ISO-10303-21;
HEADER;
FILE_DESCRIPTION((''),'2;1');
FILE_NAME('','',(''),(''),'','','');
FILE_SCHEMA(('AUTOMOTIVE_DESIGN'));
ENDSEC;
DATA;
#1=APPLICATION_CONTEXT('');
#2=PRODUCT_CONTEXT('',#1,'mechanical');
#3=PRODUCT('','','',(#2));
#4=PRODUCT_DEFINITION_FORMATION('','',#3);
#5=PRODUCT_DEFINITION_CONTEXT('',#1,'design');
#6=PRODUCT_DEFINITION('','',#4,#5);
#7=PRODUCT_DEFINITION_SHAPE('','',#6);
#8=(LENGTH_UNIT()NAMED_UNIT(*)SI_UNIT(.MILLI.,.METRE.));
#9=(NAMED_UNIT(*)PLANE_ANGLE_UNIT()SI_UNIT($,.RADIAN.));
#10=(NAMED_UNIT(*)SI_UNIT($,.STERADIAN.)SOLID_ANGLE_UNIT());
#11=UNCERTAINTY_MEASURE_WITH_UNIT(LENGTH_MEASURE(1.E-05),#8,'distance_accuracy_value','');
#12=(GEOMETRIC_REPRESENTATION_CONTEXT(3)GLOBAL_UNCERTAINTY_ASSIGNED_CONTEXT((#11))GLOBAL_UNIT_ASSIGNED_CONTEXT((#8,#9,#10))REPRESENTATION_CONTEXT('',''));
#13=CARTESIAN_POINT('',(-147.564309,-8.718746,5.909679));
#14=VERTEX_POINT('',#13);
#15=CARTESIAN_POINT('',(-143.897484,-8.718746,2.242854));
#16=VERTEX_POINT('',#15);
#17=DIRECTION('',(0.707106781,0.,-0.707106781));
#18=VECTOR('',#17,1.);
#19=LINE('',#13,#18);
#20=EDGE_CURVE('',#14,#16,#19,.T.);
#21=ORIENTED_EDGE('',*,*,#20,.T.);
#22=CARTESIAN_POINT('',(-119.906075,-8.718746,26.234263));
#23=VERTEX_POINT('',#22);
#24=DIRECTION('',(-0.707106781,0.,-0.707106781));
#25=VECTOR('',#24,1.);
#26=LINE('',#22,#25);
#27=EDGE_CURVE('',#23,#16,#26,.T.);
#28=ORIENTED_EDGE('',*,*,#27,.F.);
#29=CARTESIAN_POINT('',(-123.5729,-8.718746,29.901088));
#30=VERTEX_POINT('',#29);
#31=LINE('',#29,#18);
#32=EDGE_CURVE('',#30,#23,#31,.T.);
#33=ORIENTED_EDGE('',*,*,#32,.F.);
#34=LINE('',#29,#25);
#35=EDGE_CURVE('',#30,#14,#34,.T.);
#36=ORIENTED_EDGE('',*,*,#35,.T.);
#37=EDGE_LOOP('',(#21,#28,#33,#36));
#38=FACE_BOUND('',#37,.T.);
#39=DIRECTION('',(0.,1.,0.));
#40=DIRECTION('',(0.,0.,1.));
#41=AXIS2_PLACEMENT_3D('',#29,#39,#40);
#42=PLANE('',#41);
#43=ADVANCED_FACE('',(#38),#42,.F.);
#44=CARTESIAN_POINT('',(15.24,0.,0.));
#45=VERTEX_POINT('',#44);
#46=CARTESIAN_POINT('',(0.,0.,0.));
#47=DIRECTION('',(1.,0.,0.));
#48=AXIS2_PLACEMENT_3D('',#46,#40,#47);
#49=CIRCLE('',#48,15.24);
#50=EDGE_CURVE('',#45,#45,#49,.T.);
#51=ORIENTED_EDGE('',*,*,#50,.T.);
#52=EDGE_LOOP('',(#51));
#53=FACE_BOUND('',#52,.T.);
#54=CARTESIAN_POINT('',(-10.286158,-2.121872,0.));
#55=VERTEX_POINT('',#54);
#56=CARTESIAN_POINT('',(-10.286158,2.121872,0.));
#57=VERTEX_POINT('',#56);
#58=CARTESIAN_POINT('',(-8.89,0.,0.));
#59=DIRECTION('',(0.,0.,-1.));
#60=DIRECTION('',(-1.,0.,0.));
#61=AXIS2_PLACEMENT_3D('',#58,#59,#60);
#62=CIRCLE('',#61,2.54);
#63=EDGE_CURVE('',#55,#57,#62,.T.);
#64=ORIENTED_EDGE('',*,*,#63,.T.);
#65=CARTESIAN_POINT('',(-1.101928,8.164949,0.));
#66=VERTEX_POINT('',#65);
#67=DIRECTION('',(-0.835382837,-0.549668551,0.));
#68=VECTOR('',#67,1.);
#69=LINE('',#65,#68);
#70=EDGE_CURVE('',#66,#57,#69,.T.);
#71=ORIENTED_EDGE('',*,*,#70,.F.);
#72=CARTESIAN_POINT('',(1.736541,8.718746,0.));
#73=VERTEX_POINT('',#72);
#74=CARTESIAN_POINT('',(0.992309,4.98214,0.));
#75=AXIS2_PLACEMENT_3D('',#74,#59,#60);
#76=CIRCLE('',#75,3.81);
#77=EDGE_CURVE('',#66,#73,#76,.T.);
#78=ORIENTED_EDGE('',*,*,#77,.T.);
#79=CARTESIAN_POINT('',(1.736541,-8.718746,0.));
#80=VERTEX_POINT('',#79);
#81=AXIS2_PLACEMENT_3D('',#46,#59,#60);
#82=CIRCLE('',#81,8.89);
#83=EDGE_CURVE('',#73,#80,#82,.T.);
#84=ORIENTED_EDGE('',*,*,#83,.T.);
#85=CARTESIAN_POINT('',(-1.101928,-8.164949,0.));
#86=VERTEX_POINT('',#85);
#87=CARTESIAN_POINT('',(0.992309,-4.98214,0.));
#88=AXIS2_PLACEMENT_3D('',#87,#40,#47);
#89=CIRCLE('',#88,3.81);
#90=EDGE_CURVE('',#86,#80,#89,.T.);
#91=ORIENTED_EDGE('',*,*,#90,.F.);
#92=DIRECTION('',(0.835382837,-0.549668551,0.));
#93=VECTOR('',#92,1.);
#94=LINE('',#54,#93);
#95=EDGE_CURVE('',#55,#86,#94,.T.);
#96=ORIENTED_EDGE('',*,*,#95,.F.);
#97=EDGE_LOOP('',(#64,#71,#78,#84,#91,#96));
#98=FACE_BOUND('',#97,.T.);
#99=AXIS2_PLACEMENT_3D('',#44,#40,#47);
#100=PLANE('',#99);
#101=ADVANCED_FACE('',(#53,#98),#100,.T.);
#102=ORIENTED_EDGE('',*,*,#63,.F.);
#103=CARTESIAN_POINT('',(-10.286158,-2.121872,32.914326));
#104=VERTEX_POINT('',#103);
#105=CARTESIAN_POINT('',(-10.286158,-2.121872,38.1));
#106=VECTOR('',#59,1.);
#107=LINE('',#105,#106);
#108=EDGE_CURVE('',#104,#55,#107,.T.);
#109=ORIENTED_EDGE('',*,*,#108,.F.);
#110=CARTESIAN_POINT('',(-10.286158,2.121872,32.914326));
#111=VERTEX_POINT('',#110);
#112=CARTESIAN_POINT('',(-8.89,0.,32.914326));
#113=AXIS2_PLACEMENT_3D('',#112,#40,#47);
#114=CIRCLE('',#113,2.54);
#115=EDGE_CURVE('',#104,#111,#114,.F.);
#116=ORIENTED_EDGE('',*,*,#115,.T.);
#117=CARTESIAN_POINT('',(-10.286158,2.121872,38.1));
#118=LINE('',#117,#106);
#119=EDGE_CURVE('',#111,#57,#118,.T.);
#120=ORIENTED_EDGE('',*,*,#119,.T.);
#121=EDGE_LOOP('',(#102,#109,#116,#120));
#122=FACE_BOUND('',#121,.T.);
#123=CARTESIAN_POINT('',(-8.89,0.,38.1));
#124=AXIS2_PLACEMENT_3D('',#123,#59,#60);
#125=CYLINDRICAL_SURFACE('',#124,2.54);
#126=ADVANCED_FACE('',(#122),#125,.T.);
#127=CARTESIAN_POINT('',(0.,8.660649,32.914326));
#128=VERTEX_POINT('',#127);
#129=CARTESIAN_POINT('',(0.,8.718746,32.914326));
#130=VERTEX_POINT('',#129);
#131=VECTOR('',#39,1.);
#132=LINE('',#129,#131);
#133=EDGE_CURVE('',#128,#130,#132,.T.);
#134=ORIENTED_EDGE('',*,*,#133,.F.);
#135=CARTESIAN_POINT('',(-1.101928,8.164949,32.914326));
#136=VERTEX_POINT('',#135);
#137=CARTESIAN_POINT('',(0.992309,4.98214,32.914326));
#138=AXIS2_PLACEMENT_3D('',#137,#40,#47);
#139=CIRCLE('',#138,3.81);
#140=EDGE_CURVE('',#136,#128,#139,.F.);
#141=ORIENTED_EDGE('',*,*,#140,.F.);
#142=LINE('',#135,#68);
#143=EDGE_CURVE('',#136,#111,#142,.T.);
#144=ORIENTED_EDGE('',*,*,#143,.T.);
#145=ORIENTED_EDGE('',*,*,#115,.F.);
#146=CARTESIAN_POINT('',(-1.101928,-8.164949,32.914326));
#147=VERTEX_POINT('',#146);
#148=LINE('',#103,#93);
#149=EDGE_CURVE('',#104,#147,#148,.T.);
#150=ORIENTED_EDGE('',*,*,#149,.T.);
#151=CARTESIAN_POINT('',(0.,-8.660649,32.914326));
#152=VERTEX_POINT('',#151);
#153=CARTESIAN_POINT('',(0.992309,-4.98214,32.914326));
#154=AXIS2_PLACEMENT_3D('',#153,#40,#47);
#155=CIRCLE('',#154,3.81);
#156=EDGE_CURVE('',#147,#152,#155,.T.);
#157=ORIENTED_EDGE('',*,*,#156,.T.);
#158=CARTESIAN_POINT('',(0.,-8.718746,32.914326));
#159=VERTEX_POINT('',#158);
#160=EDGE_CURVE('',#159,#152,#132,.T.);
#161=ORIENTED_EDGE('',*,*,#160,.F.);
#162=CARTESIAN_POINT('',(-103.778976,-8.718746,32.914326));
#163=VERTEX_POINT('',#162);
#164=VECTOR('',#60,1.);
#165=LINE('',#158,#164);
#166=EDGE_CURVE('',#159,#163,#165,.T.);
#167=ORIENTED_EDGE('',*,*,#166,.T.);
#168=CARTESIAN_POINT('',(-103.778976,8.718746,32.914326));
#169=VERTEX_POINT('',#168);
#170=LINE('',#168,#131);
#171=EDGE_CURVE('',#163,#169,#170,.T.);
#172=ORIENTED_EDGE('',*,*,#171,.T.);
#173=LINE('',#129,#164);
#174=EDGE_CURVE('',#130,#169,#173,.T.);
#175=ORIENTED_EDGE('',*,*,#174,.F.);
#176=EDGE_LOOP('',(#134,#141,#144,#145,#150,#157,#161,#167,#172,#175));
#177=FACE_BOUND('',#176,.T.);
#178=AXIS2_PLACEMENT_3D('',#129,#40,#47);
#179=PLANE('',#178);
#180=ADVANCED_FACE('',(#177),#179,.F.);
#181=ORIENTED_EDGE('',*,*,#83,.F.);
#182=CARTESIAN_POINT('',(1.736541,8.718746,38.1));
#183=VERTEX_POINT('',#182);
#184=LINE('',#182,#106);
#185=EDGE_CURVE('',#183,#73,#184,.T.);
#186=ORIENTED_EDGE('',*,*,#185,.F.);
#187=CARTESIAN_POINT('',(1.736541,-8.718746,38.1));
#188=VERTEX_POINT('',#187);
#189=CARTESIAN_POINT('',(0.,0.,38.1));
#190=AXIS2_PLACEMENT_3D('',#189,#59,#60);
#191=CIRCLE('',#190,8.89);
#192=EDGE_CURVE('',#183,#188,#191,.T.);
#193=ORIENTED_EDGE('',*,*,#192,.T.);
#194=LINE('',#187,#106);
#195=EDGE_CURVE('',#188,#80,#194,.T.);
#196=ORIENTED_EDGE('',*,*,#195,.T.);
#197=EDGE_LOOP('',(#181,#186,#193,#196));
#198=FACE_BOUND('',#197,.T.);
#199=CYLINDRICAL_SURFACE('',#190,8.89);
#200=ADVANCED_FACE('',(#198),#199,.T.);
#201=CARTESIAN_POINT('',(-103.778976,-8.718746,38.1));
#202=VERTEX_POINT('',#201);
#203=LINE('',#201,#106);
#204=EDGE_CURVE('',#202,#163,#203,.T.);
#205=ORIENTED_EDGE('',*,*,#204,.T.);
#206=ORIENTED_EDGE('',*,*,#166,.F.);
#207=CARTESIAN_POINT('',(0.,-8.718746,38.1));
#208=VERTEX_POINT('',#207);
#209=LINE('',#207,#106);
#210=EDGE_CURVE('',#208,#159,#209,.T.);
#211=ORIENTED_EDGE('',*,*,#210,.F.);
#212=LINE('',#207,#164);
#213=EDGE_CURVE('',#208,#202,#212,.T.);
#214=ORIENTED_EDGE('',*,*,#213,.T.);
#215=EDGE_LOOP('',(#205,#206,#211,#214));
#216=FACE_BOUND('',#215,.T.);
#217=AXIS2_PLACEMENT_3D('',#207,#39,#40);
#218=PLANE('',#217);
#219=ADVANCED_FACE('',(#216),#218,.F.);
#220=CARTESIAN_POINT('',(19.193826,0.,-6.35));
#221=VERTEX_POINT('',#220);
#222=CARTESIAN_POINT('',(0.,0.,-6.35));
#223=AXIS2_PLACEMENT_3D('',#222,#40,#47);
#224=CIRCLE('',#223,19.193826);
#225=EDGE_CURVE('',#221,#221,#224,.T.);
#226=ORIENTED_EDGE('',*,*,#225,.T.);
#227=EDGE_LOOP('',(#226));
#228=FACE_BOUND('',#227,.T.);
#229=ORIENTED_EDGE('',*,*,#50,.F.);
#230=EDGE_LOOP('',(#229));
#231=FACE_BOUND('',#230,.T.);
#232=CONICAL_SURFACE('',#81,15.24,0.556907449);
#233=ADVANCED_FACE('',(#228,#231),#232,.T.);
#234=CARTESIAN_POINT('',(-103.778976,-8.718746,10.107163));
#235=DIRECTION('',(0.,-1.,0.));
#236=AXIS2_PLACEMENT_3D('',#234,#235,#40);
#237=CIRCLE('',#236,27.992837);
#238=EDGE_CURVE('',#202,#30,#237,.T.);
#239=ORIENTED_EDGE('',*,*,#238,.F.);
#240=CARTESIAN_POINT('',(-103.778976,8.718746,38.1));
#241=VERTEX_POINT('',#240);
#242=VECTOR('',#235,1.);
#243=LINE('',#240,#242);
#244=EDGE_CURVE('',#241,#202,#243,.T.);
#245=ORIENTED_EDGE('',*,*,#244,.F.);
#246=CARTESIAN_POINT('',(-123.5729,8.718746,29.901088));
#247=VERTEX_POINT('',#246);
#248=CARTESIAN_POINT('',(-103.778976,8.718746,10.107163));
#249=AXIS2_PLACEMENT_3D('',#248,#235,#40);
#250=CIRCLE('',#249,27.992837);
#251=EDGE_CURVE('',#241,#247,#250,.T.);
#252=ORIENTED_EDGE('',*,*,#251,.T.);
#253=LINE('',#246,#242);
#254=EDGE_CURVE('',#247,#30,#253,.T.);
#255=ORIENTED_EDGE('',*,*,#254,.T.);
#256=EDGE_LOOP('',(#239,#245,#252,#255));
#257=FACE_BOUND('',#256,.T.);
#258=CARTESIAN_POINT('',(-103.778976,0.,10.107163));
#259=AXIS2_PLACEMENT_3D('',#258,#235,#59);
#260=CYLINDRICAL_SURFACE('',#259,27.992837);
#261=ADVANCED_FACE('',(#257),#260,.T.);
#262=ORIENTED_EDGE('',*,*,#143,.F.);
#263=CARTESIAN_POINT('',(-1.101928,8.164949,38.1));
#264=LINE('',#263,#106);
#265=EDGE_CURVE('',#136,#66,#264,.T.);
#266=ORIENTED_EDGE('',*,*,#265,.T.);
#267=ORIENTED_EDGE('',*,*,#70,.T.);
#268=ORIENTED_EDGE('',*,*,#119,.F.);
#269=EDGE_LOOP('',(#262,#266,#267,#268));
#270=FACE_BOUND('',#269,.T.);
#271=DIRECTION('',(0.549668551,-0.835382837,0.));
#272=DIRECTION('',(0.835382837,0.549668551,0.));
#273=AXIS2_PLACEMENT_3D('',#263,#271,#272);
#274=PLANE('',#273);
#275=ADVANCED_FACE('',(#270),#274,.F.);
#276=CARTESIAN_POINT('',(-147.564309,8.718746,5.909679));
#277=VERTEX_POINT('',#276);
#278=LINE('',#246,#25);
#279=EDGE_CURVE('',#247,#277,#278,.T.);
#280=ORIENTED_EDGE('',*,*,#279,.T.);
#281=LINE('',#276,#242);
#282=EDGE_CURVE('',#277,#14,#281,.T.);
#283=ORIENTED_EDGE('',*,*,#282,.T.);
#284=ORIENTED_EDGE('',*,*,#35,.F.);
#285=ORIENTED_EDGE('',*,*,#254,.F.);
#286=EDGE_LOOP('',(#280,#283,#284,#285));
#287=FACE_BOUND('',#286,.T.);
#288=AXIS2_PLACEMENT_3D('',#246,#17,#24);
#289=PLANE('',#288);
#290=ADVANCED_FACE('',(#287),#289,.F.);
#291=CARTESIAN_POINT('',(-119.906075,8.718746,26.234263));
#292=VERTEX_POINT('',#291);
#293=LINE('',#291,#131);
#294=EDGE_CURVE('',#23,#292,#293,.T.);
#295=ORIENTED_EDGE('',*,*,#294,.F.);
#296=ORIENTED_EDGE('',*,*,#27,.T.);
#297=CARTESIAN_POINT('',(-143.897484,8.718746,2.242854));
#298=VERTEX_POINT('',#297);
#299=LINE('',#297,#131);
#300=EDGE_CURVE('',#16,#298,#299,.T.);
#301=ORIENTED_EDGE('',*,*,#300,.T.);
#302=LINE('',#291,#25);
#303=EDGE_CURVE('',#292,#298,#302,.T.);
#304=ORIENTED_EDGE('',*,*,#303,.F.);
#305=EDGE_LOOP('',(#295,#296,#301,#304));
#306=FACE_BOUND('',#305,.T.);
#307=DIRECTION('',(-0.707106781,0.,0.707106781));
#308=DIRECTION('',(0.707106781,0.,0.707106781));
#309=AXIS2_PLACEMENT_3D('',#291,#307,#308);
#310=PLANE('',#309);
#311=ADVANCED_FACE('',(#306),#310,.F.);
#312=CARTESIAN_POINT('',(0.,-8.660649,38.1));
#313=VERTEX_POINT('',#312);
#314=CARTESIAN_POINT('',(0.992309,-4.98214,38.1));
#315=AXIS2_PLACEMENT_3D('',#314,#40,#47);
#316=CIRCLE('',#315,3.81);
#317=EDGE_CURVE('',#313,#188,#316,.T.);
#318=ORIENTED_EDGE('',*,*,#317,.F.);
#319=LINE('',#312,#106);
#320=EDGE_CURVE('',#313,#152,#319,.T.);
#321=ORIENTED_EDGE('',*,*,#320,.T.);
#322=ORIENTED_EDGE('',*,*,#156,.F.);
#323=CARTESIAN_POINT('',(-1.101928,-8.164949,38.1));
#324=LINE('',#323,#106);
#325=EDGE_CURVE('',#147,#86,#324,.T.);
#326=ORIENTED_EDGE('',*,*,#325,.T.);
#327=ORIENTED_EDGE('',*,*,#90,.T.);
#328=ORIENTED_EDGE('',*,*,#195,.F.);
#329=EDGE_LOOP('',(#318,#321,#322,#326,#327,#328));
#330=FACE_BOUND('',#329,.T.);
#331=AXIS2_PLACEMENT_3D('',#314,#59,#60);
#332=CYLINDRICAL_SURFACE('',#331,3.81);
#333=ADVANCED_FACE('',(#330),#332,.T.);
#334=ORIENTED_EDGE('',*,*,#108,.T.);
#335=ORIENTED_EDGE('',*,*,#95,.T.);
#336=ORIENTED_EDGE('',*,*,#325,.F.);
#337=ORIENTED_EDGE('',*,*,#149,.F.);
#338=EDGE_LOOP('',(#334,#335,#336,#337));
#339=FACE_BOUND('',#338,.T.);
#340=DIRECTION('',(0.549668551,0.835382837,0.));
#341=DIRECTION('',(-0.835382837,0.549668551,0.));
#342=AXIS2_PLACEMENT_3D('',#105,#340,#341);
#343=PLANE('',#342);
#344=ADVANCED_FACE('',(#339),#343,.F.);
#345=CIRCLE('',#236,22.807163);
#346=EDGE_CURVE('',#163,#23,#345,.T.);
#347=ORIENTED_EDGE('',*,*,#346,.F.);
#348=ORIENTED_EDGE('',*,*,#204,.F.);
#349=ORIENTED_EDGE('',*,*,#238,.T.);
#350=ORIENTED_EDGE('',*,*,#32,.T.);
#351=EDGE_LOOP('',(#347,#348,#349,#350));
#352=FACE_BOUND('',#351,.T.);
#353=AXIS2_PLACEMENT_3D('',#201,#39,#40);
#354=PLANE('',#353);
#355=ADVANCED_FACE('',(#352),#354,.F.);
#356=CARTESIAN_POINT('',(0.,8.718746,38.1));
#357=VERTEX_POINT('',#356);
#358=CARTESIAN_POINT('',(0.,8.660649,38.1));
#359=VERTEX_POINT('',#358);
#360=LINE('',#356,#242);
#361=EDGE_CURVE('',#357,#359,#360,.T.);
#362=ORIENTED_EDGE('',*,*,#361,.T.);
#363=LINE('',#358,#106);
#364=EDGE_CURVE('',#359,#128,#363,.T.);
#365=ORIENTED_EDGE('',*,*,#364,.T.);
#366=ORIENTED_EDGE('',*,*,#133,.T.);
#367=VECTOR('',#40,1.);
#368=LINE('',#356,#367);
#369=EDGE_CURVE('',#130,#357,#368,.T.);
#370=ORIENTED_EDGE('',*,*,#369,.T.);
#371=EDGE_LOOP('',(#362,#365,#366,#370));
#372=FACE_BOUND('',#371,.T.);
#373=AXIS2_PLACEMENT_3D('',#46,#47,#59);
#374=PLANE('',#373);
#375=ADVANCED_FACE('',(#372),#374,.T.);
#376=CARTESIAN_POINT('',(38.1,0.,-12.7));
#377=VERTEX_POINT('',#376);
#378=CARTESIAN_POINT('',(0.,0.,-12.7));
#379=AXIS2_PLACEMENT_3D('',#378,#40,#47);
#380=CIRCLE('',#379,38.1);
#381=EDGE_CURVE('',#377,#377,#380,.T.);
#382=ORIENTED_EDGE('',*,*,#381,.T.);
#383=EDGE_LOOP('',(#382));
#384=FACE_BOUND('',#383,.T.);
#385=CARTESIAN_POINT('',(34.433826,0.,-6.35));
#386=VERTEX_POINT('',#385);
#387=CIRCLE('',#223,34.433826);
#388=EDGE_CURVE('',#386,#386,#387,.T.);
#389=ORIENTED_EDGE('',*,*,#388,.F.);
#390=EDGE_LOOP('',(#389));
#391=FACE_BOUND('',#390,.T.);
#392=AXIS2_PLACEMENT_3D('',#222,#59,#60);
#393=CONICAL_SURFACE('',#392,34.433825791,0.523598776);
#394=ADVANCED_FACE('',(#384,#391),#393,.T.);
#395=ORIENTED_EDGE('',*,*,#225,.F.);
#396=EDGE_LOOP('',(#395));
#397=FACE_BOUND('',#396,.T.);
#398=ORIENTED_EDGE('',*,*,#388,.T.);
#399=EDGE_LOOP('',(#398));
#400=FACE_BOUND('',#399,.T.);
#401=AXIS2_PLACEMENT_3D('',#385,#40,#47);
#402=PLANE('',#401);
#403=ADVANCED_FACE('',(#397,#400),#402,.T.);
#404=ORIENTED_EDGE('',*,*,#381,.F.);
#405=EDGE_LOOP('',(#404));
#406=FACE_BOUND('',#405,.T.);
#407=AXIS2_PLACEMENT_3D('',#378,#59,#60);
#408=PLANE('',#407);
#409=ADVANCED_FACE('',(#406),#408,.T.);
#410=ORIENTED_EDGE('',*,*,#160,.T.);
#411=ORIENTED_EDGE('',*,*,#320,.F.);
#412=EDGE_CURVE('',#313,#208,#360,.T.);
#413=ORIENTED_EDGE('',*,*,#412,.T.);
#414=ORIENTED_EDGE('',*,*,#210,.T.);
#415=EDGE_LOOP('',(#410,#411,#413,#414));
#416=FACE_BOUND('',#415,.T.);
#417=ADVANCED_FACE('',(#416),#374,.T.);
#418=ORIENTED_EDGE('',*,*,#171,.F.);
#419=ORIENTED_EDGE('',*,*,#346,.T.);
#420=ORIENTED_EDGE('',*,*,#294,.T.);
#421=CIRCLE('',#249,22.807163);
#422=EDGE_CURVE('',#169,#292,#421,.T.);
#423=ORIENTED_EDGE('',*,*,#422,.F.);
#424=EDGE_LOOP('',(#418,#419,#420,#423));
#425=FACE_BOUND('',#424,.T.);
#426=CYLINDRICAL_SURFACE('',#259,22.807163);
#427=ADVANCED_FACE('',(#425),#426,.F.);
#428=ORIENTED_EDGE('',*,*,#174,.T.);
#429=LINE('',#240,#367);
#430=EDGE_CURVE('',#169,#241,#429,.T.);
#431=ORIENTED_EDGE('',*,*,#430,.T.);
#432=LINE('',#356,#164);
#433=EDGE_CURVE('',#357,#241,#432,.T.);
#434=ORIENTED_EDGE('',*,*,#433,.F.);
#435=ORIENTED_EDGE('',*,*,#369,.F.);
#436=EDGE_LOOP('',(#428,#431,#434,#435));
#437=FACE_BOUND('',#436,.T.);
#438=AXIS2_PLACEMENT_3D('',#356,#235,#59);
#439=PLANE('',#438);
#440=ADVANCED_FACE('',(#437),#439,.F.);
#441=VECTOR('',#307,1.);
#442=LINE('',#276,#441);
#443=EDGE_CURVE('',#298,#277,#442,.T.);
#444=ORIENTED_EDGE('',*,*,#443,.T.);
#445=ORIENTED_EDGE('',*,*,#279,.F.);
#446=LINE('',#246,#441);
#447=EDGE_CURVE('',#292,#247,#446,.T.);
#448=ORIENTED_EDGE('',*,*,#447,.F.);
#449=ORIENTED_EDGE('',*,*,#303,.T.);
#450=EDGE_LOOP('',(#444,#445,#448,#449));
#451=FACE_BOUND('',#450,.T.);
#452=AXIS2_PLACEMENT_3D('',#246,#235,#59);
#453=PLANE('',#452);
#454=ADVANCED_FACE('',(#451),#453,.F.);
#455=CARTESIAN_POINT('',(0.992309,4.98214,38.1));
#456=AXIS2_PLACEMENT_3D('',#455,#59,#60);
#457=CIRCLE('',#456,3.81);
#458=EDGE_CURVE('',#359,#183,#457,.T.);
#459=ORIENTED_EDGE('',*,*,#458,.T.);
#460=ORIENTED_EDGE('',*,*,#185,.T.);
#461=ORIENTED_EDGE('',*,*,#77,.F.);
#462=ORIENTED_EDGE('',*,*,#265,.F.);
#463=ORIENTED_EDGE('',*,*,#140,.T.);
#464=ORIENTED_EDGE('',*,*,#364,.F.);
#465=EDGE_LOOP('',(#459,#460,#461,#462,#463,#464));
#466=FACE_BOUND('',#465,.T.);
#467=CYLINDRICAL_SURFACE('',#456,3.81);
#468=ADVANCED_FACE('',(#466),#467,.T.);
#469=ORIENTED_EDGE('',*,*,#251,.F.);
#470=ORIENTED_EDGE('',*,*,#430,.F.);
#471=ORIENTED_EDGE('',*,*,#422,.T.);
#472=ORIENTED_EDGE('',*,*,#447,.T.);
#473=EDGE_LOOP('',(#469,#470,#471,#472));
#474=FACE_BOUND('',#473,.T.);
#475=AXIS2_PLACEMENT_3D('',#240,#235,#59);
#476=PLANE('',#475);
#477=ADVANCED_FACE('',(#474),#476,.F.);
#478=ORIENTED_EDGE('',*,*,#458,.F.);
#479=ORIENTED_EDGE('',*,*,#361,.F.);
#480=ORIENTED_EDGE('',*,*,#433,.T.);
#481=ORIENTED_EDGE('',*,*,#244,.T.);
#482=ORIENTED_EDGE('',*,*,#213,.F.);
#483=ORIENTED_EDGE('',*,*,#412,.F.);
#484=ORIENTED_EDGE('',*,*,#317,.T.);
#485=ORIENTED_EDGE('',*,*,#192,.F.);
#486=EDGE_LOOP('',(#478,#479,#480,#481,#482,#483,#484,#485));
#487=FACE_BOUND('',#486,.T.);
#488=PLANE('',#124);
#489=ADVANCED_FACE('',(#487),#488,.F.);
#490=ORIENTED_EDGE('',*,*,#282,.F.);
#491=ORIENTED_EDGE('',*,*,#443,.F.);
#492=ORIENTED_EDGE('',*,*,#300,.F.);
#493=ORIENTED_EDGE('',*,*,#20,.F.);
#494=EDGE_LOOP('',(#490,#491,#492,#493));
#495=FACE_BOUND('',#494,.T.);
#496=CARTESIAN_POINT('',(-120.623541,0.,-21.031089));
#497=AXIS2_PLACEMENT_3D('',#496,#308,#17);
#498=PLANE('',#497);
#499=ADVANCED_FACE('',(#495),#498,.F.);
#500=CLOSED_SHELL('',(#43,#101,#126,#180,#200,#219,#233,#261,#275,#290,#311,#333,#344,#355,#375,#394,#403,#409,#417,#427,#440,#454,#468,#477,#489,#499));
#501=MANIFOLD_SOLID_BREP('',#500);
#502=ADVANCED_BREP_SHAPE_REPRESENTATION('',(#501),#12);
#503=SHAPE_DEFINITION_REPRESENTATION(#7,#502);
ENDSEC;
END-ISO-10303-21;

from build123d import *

# Parameters (mm, degrees)
BOSS_EXTRUDE1_DEPTH = 38.1
SKETCH3_W           = 5.185673946
SKETCH3_H           = 17.43749126


with BuildPart() as part:
    # Sketch1 → Revolve1 (revolve)
    with BuildSketch(Plane(origin=(0, 0, 0), x_dir=(1, 0, 0), z_dir=(0, 1, 0))):
        Polygon((0, 0), (0, 12.7), (38.1, 12.7), (34.433825791, 6.35), (19.193825791, 6.35), (15.24, 0), align=None)
    revolve(axis=Axis((0, 0, 0), (0, 0, -1)))

    # Sketch2 → Boss-Extrude1 (add)
    with BuildSketch(Plane.XY):
        with BuildLine():
            Line((-1.101928038, 8.164948968), (-10.28615812, 2.121872405))
            ThreePointArc((-10.28615812, 2.121872405), (-11.43, 0), (-10.28615812, -2.121872405))
            Line((-10.28615812, -2.121872405), (-1.101928038, -8.164948968))
            ThreePointArc((-1.101928038, -8.164948968), (0.26271934, -8.721632133), (1.736540998, -8.71874563))
            ThreePointArc((1.736540998, -8.71874563), (8.89, 0), (1.736540998, 8.71874563))
            ThreePointArc((1.736540998, 8.71874563), (0.26271934, 8.721632133), (-1.101928038, 8.164948968))
        make_face()
    extrude(amount=BOSS_EXTRUDE1_DEPTH)

    # Sweep1: sweep along a path in Sketch4
    with BuildLine(Plane(origin=(0, 0, 0), x_dir=(1, 0, 0), z_dir=(0, 1, 0))) as sweep1_path:
        Line((0, -35.507163027), (-103.778975516, -35.507163027))
        ThreePointArc((-103.778975516, -35.507163027), (-113.499134698, -33.573703153), (-121.739487758, -28.067675269))
        Line((-121.739487758, -28.067675269), (-145.730896424, -4.076266603))
    # Sketch3 → Sweep1 (sweep)
    with BuildSketch(Plane(origin=(0, 0, 0), x_dir=(0, 0, -1), z_dir=(1, 0, 0))):
        with Locations((-35.507163027, 0)):
            Rectangle(SKETCH3_W, SKETCH3_H)
    sweep(path=sweep1_path.line)


solid = part.part
